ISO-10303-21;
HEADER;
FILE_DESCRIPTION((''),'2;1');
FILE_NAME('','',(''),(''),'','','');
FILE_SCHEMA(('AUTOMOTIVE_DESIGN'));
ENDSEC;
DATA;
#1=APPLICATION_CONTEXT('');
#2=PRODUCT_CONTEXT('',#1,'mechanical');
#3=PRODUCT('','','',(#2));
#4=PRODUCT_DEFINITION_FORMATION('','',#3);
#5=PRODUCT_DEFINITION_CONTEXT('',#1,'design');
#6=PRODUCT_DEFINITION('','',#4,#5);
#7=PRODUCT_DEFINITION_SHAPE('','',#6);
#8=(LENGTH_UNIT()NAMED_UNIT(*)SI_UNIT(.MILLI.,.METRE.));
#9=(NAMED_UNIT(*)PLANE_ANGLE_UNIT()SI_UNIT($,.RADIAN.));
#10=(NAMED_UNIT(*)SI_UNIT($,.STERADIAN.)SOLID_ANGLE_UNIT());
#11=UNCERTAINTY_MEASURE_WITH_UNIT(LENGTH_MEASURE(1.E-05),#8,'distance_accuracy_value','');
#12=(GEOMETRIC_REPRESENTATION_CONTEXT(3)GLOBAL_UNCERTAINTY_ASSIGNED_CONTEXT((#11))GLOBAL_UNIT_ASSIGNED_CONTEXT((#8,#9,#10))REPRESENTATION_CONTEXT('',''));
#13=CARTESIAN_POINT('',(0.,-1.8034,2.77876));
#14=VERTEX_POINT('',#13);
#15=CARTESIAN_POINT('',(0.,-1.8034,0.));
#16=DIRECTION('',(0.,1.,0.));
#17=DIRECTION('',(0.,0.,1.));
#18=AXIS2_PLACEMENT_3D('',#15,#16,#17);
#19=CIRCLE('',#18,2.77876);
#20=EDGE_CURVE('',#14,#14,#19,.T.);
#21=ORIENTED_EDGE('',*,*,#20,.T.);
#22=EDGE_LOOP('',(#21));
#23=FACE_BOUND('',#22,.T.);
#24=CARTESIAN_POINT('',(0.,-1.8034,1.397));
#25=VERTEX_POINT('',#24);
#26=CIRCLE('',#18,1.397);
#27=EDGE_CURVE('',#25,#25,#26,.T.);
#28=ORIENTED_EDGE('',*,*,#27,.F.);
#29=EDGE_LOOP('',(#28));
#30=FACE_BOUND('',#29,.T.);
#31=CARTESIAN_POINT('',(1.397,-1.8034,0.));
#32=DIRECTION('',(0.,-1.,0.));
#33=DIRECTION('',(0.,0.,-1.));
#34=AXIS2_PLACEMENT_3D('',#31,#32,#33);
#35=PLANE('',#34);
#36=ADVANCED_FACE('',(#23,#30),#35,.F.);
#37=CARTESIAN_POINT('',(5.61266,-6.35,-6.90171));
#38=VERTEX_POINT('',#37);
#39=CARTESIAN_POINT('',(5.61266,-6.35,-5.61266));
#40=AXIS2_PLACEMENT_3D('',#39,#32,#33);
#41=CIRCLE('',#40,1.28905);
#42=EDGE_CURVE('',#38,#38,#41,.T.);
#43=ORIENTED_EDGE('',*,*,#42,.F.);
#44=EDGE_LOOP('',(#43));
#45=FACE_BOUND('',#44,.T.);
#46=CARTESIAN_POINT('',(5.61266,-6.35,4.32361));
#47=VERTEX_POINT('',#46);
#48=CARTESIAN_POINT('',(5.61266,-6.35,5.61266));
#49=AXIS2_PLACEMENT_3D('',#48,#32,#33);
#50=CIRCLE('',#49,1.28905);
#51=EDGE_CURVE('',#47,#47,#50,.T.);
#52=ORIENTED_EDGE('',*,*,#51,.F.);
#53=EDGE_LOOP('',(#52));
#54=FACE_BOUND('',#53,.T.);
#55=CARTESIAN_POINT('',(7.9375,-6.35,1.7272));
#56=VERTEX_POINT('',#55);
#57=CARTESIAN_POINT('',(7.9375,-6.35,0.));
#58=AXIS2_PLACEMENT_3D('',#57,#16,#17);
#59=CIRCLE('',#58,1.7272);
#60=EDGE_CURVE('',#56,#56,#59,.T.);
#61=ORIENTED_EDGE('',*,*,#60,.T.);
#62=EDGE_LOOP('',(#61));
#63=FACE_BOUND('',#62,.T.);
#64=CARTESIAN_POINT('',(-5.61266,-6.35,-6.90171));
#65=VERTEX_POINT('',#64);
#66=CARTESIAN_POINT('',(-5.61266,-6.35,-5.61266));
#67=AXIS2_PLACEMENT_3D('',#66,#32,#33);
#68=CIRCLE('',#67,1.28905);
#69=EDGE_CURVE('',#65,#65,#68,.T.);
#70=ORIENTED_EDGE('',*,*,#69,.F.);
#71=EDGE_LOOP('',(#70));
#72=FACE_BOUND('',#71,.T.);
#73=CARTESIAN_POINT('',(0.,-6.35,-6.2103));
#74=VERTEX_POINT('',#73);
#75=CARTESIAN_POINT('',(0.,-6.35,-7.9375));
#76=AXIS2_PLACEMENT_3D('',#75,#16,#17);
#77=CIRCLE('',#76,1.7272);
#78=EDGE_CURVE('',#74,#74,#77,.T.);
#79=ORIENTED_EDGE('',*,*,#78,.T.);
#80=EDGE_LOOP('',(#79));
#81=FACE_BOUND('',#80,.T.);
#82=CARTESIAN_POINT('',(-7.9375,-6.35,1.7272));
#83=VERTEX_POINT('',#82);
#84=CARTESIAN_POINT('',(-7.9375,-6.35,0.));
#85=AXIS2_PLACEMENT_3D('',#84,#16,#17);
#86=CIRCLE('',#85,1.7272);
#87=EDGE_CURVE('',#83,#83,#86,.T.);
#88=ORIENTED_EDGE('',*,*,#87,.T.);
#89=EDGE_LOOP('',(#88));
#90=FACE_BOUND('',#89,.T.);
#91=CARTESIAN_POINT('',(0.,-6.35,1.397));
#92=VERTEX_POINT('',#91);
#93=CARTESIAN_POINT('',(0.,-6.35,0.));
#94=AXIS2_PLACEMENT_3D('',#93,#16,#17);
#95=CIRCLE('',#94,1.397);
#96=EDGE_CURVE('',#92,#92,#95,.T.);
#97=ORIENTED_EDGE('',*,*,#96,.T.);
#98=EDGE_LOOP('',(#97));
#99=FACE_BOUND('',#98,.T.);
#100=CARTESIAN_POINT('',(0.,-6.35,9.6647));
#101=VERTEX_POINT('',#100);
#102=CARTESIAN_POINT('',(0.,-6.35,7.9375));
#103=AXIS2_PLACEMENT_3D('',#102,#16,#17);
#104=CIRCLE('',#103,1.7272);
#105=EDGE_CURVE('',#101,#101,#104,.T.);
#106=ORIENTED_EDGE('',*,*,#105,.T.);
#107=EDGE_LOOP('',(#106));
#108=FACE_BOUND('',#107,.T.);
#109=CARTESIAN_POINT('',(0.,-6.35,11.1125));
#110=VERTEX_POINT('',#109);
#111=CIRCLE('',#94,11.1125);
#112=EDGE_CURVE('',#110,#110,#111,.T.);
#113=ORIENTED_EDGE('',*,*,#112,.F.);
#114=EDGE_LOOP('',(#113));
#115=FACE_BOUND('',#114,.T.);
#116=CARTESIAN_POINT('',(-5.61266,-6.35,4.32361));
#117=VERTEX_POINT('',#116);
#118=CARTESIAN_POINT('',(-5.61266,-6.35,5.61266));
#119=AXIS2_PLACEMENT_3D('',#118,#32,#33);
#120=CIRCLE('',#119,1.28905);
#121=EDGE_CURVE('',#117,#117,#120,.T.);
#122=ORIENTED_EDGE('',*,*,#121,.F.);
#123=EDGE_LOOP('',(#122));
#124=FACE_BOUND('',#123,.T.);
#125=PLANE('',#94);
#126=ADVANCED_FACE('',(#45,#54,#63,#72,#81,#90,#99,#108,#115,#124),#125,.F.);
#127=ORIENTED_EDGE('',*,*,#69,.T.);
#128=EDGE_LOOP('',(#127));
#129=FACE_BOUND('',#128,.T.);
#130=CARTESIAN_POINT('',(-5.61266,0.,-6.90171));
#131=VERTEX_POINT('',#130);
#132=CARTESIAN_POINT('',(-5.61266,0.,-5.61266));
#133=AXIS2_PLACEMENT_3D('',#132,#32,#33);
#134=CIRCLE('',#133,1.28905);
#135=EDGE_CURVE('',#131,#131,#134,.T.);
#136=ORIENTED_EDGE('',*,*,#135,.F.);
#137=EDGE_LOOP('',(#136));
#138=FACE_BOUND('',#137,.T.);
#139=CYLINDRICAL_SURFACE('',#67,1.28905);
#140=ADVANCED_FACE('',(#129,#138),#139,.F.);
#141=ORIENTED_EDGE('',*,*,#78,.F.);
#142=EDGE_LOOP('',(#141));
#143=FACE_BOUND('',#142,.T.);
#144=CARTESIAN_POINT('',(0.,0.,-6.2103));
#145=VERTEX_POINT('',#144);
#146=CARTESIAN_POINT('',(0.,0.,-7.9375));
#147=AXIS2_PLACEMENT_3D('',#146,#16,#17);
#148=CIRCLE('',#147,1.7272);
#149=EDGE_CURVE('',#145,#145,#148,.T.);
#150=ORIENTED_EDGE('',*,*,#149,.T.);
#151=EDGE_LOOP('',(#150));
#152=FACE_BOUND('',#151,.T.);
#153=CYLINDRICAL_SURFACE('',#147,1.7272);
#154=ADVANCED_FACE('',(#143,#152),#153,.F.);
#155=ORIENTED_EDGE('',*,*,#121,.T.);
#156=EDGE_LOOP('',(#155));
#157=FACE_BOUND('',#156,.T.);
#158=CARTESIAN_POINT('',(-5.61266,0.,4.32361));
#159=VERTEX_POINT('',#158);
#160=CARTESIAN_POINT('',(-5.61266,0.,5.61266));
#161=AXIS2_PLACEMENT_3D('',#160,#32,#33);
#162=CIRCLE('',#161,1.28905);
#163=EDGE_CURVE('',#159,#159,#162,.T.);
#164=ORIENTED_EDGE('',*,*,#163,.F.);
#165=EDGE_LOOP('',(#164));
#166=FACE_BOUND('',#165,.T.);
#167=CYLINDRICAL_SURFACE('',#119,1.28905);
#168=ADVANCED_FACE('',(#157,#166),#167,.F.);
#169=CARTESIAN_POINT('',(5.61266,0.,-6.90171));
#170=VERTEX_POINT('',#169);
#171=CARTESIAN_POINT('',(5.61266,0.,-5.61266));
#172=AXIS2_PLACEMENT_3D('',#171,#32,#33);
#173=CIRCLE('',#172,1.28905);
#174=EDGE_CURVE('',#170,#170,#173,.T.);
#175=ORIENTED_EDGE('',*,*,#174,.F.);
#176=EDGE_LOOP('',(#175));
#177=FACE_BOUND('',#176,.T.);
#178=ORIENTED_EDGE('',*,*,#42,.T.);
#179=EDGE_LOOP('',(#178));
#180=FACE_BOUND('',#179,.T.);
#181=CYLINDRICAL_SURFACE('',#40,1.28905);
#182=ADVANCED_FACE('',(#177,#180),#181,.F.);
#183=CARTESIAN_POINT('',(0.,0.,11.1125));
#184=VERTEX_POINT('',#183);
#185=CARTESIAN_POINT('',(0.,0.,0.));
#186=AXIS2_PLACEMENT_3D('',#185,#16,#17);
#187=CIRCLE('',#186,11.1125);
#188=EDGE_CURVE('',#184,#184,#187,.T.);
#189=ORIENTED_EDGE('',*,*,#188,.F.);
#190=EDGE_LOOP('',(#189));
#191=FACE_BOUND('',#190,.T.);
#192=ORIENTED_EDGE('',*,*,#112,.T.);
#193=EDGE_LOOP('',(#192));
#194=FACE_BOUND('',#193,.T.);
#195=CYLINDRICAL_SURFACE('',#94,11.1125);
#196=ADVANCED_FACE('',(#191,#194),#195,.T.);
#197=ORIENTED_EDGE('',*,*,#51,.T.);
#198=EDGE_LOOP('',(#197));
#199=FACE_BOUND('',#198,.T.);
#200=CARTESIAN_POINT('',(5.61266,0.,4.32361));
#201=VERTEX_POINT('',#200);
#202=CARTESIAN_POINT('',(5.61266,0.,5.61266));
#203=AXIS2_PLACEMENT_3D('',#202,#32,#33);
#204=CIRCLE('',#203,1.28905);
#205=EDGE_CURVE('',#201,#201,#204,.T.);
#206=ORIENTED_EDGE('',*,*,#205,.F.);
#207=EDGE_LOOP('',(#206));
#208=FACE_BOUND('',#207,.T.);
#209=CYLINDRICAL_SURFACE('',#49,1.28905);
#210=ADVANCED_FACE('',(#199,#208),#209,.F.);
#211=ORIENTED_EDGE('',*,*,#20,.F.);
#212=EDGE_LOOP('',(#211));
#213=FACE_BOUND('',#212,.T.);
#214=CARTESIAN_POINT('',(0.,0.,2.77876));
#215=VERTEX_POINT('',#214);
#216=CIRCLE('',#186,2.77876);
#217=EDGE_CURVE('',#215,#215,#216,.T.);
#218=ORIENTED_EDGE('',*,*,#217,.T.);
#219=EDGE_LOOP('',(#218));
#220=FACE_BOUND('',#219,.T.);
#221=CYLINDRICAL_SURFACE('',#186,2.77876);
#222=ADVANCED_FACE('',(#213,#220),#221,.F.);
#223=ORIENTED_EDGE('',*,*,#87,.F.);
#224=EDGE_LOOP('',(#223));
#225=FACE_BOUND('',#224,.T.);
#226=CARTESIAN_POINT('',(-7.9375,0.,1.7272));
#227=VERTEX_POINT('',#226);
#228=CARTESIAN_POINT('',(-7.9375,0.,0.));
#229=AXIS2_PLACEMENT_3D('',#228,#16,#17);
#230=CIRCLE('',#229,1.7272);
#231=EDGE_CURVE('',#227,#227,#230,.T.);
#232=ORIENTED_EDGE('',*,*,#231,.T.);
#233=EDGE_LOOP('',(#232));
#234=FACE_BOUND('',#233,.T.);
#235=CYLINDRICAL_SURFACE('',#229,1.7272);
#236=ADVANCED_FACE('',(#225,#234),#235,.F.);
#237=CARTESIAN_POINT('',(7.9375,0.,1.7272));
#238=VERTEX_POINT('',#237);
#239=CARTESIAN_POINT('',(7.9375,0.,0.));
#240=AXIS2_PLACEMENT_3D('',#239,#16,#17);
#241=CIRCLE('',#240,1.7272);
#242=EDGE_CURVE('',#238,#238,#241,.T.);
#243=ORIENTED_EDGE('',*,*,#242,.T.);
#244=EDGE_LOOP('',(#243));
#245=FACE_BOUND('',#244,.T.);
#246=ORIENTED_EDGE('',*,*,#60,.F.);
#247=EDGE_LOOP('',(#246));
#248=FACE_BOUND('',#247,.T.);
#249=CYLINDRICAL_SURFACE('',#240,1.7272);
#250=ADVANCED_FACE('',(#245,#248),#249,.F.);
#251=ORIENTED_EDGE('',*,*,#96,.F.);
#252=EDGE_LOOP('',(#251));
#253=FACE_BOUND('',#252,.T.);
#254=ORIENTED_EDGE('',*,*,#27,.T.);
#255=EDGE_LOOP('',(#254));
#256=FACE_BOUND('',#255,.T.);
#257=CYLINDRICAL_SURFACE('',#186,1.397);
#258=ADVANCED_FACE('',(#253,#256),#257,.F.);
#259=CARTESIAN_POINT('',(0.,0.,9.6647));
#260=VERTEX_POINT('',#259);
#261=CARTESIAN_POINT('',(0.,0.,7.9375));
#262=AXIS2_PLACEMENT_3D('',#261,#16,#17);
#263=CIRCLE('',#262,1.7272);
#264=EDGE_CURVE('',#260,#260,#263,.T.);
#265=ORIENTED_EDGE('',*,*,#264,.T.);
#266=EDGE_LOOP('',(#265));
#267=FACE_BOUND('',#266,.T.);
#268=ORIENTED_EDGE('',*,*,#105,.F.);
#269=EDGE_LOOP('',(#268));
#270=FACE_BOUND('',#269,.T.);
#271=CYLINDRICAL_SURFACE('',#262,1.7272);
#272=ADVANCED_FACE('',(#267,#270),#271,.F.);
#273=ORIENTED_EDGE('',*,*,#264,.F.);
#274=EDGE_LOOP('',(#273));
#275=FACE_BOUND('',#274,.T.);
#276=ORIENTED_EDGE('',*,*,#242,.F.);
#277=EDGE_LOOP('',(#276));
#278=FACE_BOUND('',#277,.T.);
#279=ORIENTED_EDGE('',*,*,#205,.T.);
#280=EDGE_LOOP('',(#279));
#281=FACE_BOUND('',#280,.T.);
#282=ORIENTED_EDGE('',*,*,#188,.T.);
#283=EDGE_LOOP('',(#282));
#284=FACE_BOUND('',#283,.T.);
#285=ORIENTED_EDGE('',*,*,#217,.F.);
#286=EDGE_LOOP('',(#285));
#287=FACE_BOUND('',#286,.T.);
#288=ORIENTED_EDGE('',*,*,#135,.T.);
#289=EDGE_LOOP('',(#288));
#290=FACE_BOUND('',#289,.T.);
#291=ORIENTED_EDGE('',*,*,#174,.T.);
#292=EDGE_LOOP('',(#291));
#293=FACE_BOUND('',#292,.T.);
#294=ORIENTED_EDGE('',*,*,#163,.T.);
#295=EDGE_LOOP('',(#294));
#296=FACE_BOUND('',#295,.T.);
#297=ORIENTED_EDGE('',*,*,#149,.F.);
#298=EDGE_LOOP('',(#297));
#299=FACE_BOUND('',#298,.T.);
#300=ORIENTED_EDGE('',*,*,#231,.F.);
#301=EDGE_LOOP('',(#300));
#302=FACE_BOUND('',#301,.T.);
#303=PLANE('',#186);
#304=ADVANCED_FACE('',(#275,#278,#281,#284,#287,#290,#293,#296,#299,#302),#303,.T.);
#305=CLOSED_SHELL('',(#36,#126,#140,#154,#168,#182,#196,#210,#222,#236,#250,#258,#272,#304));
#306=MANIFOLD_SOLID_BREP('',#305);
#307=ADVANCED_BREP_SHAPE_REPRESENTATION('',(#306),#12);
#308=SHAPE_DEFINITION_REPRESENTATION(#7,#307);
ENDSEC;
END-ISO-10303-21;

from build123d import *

# Parameters (mm, degrees)
SKETCH1_R                                        = 11.1125
EXTRUDE1_DEPTH                                   = 6.35
D_GAGEMENT_51_D                                  = 3.4544
TROU_POUR_TARAUDAGE_POUR_TROU_TARAUD_5_D         = 2.5781
CHAMBRAGE_POUR_VIS_T_TE_RONDE_BOMB_E_D           = 2.794
CHAMBRAGE_POUR_VIS_T_TE_RONDE_BOMB_E_CBORE_D     = 5.55752
CHAMBRAGE_POUR_VIS_T_TE_RONDE_BOMB_E_CBORE_DEPTH = 1.8034


with BuildPart() as part:
    # Sketch1 → Extrude1 (new body)
    with BuildSketch(Plane(origin=(0, 0, 0), x_dir=(1, 0, 0), z_dir=(0, 1, 0))):
        Circle(SKETCH1_R)
    extrude(amount=-EXTRUDE1_DEPTH)

    # Dégagement #51 (through all)
    with Locations(Plane(origin=(0, 0, 0), x_dir=(-1, 0, 0), z_dir=(0, 1, 0))):
        with Locations((7.9375, 0), (0, -7.9375), (-7.9375, 0), (0, 7.9375)):
            Hole(D_GAGEMENT_51_D / 2)

    # Trou pour taraudage pour trou taraudé #5-401 (through all)
    with Locations(Plane.XZ.offset(6.35)):
        with Locations((-5.612660076, -5.612660076), (5.612660076, -5.612660076), (5.612660076, 5.612660076), (-5.612660076, 5.612660076)):
            Hole(TROU_POUR_TARAUDAGE_POUR_TROU_TARAUD_5_D / 2)

    # Chambrage pour vis à tête ronde bombée #31 (through all)
    with Locations(Plane(origin=(0, 0, 0), x_dir=(-1, 0, 0), z_dir=(0, 1, 0))):
        with Locations((0, 0)):
            CounterBoreHole(CHAMBRAGE_POUR_VIS_T_TE_RONDE_BOMB_E_D / 2, CHAMBRAGE_POUR_VIS_T_TE_RONDE_BOMB_E_CBORE_D / 2, CHAMBRAGE_POUR_VIS_T_TE_RONDE_BOMB_E_CBORE_DEPTH)


solid = part.part
